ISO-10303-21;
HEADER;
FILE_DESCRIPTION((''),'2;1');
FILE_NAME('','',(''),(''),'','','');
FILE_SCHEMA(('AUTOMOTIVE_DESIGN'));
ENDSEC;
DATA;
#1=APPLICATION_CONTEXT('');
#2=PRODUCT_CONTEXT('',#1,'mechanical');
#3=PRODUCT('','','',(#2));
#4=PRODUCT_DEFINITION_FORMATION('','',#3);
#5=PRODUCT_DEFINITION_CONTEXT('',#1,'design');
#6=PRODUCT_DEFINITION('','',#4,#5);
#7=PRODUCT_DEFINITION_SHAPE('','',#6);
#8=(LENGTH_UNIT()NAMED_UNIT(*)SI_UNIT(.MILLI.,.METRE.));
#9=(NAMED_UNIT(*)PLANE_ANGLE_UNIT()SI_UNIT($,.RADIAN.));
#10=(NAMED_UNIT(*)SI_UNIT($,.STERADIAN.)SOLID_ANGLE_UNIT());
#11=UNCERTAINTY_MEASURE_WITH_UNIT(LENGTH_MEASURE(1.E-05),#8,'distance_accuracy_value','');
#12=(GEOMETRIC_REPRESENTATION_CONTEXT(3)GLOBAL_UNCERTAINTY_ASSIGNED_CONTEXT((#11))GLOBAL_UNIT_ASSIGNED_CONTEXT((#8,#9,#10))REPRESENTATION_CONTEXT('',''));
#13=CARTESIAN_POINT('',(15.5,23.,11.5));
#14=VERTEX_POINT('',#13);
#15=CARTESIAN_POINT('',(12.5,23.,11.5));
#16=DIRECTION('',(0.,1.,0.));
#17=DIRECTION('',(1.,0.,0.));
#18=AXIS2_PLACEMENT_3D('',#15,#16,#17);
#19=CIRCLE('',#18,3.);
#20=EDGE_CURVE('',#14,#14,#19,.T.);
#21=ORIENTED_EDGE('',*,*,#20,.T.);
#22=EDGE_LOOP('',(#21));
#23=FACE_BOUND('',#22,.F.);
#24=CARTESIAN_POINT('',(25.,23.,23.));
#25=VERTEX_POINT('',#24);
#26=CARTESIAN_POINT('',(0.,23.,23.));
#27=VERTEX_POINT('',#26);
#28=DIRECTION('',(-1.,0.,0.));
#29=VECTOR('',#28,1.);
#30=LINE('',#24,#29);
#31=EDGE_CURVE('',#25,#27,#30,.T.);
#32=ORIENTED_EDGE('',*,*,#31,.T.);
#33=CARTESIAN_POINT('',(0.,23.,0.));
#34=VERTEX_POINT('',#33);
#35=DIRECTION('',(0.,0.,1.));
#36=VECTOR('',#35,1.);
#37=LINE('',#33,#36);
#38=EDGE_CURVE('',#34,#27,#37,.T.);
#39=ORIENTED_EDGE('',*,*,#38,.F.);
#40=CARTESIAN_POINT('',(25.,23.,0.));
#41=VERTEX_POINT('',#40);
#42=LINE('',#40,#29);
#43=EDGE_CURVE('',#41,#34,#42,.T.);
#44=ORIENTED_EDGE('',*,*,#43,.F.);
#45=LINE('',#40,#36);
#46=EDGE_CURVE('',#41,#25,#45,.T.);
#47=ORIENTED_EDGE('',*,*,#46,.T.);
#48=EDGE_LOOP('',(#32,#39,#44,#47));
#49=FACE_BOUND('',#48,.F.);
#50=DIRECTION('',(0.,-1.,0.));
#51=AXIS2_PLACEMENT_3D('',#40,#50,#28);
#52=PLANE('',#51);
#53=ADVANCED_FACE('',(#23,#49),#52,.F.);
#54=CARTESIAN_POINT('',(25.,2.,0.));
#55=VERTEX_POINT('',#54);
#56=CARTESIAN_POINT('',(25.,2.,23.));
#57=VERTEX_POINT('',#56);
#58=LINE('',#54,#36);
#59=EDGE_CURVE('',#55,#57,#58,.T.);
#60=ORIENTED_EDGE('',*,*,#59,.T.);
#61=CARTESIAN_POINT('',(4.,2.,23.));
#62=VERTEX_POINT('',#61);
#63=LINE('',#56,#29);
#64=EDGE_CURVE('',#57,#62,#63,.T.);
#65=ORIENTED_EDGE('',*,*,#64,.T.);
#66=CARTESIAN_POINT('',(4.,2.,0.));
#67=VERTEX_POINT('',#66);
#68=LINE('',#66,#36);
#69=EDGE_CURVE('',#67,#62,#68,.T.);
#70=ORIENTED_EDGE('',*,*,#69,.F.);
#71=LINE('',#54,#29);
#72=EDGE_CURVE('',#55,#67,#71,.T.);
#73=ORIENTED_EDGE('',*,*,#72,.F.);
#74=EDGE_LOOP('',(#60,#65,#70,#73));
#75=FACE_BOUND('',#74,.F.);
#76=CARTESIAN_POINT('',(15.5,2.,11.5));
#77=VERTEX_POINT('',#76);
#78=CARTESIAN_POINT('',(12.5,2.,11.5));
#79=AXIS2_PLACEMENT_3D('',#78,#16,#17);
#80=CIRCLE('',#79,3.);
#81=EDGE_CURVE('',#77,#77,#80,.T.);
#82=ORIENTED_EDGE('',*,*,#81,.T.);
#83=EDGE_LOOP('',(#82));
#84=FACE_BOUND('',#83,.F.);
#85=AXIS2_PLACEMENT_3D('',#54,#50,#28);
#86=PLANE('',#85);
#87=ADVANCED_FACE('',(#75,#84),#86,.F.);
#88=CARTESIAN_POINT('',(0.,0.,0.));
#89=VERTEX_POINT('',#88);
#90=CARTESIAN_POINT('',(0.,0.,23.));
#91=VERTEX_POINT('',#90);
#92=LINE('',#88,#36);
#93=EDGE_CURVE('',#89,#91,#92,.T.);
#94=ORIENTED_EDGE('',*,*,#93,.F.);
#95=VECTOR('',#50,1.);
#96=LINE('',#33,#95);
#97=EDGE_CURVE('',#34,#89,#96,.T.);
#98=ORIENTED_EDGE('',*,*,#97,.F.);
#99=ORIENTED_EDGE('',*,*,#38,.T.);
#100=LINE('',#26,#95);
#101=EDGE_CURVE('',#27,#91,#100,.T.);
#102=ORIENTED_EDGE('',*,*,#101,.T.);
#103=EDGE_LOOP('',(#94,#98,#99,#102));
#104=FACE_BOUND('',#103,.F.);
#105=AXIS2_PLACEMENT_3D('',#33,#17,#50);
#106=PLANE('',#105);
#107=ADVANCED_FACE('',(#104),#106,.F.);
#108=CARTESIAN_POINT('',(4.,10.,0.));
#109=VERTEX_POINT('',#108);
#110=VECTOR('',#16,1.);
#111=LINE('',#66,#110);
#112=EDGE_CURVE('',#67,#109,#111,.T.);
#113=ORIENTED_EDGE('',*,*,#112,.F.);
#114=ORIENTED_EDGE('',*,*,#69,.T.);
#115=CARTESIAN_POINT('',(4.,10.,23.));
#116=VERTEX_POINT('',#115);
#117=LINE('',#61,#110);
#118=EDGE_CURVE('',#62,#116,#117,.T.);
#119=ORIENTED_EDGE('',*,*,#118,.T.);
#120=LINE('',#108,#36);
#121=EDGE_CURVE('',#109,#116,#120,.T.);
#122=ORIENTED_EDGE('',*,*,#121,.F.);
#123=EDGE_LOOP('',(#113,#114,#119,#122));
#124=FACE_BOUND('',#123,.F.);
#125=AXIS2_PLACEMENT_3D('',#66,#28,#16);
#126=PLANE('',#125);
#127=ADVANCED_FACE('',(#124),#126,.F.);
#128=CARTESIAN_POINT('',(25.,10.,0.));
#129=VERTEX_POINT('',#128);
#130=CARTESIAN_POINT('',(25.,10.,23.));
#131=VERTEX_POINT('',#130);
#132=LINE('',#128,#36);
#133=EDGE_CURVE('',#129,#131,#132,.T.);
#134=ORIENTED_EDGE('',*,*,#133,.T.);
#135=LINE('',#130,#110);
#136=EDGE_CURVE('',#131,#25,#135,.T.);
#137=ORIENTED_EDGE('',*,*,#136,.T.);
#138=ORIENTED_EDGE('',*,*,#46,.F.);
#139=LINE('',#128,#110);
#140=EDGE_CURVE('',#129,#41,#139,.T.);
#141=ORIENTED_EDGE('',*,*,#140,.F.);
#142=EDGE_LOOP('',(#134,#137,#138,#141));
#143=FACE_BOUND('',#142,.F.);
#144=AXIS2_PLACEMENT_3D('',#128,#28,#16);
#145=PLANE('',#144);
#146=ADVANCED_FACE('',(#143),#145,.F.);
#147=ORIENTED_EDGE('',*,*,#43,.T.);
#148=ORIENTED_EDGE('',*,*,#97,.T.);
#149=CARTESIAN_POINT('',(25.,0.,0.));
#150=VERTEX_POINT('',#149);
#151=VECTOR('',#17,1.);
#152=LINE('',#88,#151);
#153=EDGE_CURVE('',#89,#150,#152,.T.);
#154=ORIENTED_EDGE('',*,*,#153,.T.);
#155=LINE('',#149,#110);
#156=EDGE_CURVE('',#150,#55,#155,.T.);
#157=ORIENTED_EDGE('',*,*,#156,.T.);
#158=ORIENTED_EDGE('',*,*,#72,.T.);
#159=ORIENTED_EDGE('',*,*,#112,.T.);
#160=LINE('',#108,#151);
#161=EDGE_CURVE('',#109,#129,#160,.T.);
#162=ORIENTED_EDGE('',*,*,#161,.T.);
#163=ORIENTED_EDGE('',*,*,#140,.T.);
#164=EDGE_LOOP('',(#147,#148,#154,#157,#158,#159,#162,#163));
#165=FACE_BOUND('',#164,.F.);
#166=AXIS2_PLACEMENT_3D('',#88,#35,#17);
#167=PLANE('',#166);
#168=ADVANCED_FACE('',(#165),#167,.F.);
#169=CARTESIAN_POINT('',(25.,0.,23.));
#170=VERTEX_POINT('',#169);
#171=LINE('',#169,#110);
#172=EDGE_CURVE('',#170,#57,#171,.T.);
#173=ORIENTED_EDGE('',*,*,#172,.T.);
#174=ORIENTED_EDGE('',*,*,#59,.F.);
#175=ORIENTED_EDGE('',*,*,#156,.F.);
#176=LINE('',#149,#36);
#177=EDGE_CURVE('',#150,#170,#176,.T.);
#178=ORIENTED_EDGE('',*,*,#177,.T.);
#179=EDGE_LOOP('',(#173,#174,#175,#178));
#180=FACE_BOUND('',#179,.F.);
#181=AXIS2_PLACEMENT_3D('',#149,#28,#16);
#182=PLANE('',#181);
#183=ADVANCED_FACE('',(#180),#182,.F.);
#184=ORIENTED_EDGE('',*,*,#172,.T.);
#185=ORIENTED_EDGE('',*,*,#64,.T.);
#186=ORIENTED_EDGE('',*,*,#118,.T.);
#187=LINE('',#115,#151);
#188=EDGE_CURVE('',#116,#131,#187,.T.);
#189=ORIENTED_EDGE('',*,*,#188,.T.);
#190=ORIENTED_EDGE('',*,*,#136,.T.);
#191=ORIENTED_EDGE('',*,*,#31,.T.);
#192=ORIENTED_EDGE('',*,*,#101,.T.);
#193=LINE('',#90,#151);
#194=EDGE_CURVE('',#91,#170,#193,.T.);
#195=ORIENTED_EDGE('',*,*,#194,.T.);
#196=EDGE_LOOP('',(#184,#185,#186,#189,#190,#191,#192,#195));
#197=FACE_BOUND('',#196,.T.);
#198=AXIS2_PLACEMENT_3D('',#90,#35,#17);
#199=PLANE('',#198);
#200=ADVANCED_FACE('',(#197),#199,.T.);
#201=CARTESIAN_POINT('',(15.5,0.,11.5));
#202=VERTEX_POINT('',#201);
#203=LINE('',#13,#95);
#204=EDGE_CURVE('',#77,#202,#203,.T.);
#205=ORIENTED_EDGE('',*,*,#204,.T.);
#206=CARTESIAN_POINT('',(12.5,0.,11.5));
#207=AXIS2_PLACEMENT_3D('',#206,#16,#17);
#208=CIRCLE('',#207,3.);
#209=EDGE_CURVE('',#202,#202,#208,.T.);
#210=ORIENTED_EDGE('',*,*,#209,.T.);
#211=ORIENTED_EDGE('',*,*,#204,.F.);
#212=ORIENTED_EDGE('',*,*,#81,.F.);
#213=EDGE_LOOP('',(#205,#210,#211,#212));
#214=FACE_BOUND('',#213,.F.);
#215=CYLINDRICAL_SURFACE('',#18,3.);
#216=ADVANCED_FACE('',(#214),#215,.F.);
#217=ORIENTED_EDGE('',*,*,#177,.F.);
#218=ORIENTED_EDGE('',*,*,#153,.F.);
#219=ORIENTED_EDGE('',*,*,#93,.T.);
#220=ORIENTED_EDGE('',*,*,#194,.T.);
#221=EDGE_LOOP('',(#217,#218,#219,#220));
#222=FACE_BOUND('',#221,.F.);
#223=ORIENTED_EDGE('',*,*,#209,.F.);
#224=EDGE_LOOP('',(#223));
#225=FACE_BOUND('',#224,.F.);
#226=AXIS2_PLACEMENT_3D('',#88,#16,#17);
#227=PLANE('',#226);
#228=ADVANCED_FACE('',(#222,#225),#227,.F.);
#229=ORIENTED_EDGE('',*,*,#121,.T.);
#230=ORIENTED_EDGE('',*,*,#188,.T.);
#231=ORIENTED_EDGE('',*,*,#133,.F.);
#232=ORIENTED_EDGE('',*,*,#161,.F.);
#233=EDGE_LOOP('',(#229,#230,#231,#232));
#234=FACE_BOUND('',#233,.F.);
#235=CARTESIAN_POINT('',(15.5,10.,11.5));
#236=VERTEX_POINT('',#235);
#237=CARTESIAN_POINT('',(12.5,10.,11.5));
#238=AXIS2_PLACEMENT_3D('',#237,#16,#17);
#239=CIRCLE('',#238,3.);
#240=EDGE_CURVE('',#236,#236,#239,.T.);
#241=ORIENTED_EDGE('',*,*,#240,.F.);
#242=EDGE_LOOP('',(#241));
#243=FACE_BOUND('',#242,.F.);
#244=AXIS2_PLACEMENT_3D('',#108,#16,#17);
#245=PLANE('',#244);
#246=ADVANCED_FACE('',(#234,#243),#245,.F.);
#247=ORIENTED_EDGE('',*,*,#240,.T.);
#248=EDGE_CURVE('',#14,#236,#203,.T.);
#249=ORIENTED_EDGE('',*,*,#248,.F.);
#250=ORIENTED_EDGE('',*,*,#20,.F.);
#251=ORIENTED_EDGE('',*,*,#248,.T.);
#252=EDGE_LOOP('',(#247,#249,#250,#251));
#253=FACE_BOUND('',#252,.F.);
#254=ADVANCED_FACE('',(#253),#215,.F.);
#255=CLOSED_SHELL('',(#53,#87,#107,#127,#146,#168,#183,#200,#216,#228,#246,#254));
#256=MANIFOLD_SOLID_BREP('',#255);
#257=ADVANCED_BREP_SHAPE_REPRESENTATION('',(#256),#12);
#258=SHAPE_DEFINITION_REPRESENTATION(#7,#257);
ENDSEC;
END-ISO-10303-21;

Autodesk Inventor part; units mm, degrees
ref_plane "YZ Plane" through (0, 0, 0) normal (1, 0, 0) x (0, 1, 0)
ref_plane "XZ Plane" through (0, 0, 0) normal (0, 1, 0) x (-1, 0, 0)
ref_plane "XY Plane" through (0, 0, 0) normal (0, 0, 1) x (1, 0, 0)
sketch "Sketch1" plane through (0, 0, 0) normal (0, 0, 1) x (1, 0, 0)
  line L0 (0, 0) -> (25, 0)
  line L1 (25, 0) -> (25, 2)
  line L2 (25, 2) -> (4, 2)
  line L3 (4, 2) -> (4, 10)
  line L4 (4, 10) -> (25, 10)
  line L5 (25, 10) -> (25, 23)
  line L6 (25, 23) -> (0, 23)
  line L7 (0, 23) -> (0, 0)
  dimension "d0" = 25
  dimension "d1" = 2
  dimension "d2" = 8
  dimension "d5" = 13
extrude "Extrusion1" add sketch "Sketch1" along normal blind 23
sketch "Sketch2" plane through (0, 23, 0) normal (0, 1, 0) x (1, 0, 0)
  line L0 (0, 0) -> (25, 0) projected
  line L1 (25, 0) -> (25, -23) projected
  circle A0 centre (12.5, -11.5) radius 3
  dimension "d8" = 6
extrude "Extrusion2" cut sketch "Sketch2" against normal through all
properties part number "Eleveur support moteur"
